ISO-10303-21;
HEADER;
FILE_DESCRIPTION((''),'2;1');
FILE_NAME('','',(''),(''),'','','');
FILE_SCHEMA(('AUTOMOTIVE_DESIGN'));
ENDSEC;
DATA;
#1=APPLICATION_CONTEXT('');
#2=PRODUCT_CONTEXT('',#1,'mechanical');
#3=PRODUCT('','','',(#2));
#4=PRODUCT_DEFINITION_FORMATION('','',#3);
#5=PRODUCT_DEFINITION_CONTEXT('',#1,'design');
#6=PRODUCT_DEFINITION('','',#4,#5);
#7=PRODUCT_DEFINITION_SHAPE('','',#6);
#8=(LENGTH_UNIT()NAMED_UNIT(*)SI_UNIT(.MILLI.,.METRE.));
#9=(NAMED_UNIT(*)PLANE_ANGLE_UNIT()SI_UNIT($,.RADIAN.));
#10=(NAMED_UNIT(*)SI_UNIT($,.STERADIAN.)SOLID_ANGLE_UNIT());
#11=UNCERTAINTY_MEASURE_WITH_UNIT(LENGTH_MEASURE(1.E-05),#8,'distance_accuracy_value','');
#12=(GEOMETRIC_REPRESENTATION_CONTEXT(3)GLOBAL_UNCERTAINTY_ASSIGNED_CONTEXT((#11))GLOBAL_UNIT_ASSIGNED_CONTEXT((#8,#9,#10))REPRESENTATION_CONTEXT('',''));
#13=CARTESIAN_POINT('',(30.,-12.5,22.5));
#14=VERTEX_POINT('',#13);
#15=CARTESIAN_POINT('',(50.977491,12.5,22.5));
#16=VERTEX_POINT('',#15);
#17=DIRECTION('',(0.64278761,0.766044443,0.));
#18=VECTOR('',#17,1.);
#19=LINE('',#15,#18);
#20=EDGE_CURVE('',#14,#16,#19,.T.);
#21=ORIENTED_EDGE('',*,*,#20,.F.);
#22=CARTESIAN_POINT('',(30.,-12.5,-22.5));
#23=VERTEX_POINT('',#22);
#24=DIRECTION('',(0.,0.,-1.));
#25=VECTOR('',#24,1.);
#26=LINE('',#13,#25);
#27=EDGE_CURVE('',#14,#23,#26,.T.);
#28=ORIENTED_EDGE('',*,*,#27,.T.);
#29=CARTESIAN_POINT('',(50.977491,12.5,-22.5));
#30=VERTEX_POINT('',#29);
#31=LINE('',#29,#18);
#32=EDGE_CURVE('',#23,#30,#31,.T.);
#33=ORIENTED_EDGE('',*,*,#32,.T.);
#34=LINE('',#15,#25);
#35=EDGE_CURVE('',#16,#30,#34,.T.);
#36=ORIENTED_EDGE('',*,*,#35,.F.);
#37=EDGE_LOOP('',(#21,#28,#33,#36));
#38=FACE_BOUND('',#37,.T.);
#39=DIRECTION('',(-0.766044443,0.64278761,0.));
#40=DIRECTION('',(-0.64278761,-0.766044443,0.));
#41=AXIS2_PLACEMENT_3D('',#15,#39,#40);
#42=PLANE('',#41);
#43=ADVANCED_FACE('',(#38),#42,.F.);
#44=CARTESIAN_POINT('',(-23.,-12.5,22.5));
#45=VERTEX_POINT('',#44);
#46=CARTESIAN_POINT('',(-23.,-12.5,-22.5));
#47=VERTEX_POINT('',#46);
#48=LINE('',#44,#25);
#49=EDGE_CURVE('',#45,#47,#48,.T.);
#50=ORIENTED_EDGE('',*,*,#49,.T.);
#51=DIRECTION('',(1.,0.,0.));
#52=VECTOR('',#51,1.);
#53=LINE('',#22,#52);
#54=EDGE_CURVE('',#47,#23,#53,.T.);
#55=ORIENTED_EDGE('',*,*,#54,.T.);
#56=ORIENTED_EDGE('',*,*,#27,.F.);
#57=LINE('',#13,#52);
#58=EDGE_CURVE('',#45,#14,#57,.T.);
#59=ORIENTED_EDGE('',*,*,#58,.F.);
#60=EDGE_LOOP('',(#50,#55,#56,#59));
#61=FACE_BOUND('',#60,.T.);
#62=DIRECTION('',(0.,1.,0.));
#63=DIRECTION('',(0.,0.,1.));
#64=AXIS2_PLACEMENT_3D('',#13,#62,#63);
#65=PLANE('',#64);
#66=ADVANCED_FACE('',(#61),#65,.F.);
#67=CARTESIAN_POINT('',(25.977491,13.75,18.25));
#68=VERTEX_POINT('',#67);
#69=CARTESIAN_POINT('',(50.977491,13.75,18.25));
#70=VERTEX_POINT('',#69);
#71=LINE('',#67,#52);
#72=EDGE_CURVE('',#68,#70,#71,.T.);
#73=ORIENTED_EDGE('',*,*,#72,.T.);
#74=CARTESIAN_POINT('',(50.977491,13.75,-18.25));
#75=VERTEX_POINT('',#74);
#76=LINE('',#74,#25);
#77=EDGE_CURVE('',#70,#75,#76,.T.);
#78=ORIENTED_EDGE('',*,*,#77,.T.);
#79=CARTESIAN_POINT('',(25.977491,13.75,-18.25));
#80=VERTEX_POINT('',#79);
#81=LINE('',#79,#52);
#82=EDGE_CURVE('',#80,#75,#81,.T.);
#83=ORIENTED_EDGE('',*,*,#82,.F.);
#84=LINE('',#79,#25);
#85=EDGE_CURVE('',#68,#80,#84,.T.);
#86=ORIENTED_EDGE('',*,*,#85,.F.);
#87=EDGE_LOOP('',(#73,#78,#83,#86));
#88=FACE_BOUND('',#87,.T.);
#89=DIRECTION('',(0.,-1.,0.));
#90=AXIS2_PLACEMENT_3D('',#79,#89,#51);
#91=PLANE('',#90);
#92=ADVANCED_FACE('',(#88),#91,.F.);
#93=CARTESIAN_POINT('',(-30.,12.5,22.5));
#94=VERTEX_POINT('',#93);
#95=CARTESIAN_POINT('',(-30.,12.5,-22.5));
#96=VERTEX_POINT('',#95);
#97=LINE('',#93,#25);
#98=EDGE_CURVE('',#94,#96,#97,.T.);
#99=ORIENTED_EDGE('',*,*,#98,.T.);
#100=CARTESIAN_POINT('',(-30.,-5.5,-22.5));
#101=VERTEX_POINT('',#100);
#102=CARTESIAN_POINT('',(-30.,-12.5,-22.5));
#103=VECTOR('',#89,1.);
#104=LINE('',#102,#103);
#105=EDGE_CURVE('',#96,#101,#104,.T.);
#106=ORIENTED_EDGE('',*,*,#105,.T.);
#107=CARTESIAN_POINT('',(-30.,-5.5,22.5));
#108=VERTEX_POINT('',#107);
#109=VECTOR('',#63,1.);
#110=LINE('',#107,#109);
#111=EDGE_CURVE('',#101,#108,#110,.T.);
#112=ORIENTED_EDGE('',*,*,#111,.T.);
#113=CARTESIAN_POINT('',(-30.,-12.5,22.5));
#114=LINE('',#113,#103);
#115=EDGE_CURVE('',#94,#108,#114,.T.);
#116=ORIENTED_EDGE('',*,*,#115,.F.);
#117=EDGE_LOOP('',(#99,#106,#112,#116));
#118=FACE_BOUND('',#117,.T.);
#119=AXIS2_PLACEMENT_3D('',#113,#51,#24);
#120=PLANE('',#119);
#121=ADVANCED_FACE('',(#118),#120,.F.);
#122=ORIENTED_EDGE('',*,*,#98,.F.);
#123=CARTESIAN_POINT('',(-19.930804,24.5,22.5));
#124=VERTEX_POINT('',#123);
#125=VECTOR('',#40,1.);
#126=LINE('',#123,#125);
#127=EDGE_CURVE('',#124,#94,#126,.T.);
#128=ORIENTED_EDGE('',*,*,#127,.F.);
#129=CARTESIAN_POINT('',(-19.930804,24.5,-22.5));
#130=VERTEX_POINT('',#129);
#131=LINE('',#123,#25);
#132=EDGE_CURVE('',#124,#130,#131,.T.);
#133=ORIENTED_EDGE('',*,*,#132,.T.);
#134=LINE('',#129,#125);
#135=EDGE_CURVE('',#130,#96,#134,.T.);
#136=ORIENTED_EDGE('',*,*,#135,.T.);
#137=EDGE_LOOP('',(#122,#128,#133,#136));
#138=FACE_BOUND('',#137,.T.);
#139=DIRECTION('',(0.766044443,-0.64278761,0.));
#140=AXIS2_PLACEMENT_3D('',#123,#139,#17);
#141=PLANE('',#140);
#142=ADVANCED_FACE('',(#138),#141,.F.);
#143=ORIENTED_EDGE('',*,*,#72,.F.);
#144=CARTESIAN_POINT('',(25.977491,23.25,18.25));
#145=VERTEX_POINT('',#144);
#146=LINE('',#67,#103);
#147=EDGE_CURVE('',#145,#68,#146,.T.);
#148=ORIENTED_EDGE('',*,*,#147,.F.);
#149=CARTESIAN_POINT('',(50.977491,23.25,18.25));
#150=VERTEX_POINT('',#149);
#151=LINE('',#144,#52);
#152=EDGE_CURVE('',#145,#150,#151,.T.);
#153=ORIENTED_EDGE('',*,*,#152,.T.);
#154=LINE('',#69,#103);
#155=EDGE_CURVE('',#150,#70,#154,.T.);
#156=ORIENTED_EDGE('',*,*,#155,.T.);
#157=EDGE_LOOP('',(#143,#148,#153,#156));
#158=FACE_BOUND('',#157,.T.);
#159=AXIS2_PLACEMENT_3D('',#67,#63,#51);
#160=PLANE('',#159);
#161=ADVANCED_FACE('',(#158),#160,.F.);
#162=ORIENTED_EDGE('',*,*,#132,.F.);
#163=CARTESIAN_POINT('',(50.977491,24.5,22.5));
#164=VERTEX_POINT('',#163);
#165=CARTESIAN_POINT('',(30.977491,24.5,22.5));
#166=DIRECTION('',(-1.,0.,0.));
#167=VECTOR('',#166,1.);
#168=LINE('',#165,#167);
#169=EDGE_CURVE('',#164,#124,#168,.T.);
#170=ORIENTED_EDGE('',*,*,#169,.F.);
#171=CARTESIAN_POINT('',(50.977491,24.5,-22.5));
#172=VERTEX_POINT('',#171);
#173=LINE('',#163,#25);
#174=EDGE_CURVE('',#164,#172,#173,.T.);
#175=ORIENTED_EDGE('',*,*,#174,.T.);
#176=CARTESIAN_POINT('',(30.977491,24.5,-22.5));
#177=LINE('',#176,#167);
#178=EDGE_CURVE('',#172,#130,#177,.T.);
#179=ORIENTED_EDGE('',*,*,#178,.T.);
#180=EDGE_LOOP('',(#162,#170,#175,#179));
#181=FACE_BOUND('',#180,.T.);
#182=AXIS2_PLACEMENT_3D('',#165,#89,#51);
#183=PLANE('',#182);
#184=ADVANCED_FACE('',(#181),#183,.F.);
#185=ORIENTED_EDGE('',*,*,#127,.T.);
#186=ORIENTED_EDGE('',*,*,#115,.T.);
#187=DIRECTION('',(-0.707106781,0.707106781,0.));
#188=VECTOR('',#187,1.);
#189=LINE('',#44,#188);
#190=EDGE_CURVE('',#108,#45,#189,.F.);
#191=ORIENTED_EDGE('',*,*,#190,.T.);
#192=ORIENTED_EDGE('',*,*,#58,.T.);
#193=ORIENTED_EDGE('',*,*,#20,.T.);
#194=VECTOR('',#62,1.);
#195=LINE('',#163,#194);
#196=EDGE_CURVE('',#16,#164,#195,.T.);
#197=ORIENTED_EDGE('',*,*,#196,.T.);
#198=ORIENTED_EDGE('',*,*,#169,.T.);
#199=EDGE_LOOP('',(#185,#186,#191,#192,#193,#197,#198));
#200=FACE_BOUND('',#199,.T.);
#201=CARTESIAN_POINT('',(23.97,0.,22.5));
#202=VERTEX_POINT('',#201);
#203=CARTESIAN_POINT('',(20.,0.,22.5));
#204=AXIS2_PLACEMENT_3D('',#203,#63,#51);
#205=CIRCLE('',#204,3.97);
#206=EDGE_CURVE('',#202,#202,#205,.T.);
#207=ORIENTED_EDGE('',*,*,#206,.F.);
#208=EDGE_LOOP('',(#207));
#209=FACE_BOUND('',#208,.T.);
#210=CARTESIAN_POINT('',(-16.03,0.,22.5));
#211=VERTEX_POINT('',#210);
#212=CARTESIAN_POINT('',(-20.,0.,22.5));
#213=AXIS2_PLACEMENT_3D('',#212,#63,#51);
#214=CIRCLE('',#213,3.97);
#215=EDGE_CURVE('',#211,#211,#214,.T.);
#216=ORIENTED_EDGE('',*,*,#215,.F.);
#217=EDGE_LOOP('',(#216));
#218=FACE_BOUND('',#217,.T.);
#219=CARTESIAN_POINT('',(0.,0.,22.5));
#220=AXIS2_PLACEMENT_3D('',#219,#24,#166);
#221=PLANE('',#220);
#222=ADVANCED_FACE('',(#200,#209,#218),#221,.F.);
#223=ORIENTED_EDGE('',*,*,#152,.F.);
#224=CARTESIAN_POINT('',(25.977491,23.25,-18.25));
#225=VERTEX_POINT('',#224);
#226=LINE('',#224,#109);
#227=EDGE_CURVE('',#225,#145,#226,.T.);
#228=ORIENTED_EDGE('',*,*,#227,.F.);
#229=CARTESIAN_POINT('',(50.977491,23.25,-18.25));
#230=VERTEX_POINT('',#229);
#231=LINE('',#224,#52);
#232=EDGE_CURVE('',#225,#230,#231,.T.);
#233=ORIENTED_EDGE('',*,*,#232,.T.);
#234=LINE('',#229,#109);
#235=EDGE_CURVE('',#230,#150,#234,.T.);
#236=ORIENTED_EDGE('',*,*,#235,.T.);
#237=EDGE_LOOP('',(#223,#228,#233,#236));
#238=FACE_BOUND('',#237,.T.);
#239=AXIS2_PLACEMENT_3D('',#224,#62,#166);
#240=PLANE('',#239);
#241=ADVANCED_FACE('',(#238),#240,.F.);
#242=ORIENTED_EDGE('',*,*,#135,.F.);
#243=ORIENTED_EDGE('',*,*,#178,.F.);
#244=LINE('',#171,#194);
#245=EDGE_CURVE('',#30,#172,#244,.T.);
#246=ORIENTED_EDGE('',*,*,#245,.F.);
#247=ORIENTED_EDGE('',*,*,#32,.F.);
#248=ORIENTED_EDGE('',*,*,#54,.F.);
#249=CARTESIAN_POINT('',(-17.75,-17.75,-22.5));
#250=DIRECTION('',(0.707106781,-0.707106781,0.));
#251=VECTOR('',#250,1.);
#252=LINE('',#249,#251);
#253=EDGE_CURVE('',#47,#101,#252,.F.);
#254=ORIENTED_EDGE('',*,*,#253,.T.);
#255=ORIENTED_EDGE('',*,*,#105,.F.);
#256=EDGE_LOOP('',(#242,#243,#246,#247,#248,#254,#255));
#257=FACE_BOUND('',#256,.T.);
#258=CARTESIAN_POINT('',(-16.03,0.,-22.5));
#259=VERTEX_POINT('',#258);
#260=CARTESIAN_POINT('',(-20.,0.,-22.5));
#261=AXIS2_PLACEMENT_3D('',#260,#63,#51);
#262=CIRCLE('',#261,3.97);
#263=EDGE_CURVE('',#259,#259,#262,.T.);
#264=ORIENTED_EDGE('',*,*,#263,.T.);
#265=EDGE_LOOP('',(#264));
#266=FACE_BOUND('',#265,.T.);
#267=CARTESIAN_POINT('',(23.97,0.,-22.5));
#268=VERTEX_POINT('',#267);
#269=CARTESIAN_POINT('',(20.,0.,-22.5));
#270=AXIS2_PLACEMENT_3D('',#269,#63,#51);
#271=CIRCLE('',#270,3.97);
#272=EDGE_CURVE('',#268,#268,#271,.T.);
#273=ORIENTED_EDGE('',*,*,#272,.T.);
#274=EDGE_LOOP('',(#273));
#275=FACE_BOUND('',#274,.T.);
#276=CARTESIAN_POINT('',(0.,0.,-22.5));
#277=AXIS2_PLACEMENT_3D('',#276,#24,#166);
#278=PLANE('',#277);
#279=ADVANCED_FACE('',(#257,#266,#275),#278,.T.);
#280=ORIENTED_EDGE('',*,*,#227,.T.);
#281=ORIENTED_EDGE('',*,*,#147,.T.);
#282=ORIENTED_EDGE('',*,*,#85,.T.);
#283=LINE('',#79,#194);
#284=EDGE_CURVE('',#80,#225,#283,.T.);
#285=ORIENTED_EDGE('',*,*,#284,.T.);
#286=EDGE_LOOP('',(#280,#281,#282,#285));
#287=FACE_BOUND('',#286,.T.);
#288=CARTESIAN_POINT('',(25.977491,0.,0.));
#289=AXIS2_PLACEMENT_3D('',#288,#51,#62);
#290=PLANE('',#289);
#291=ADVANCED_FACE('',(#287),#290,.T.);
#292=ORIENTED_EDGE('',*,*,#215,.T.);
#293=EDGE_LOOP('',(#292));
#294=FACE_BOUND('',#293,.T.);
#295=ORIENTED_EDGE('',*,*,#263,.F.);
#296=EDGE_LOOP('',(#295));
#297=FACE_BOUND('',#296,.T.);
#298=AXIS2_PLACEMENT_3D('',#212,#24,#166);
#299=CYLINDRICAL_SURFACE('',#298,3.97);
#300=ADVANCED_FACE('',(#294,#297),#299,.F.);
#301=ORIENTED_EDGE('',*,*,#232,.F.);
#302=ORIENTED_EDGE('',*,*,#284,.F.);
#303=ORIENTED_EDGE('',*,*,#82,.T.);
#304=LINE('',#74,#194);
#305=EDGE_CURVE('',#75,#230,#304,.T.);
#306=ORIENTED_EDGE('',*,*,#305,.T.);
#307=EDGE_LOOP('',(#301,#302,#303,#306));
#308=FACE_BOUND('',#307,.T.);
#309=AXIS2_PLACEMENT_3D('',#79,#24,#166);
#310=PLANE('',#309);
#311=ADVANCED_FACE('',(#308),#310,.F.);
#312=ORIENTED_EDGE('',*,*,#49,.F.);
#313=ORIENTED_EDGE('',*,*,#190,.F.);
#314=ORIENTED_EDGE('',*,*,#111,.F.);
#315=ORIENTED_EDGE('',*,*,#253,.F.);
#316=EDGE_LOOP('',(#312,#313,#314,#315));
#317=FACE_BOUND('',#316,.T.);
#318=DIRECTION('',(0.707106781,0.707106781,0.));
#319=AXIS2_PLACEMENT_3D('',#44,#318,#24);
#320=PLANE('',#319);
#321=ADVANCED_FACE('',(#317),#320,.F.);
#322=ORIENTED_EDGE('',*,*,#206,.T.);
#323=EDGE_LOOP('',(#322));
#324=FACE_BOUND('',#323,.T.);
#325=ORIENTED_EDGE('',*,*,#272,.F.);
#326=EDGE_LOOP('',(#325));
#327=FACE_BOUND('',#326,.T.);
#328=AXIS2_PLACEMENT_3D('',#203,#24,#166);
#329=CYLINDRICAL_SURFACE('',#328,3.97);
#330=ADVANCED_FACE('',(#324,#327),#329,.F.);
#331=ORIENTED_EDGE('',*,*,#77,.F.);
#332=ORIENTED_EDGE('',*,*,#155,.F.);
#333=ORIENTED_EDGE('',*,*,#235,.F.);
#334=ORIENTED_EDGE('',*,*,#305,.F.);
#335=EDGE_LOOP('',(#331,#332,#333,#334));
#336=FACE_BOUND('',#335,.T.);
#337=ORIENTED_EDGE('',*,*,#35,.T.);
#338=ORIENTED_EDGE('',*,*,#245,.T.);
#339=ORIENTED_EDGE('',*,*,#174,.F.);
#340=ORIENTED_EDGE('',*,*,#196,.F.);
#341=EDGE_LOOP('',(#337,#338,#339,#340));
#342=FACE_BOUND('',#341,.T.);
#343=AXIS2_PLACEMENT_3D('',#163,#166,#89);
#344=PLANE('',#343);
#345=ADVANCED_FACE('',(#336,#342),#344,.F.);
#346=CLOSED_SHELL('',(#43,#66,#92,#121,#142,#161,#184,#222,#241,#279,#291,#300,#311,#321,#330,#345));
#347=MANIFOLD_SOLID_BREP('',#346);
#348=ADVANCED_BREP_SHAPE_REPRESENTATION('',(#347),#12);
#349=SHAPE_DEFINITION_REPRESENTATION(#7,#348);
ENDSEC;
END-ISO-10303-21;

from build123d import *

# Parameters (mm, degrees)
ESBO_O1_R                = 3.97
RESSALTO_EXTRUS_O1_DEPTH = 22.5
ESBO_O2_W                = 36.5
ESBO_O2_H                = 9.5
CORTE_EXTRUS_O1_DEPTH    = 25
CHANFRO1_SIZE            = 7


with BuildPart() as part:
    # Esboço1 → Ressalto-extrusão1 (new body, symmetric)
    with BuildSketch(Plane.XY):
        Polygon((30, -12.5), (-30, -12.5), (-30, 12.5), (-19.930804426, 24.5), (30.977490779, 24.5), (50.977490779, 24.5), (50.977490779, 12.5), align=None)
        with Locations((-20, 0)):
            Circle(ESBO_O1_R, mode=Mode.SUBTRACT)
        with Locations((20, 0)):
            Circle(ESBO_O1_R, mode=Mode.SUBTRACT)
    extrude(amount=RESSALTO_EXTRUS_O1_DEPTH, both=True)

    # Esboço2 → Corte-extrusão1 (cut)
    with BuildSketch(Plane(origin=(50.977490779, 0, 0), x_dir=(0, 0, -1), z_dir=(1, 0, 0))):
        with Locations((0, 18.5)):
            Rectangle(ESBO_O2_W, ESBO_O2_H)
    extrude(amount=-CORTE_EXTRUS_O1_DEPTH, mode=Mode.SUBTRACT)

    # Chanfro1
    chanfro1_edges = [part.edges().sort_by_distance(p)[0] for p in [
        (-30, -12.5, 0),
    ]]
    chamfer(chanfro1_edges, length=CHANFRO1_SIZE)


solid = part.part
